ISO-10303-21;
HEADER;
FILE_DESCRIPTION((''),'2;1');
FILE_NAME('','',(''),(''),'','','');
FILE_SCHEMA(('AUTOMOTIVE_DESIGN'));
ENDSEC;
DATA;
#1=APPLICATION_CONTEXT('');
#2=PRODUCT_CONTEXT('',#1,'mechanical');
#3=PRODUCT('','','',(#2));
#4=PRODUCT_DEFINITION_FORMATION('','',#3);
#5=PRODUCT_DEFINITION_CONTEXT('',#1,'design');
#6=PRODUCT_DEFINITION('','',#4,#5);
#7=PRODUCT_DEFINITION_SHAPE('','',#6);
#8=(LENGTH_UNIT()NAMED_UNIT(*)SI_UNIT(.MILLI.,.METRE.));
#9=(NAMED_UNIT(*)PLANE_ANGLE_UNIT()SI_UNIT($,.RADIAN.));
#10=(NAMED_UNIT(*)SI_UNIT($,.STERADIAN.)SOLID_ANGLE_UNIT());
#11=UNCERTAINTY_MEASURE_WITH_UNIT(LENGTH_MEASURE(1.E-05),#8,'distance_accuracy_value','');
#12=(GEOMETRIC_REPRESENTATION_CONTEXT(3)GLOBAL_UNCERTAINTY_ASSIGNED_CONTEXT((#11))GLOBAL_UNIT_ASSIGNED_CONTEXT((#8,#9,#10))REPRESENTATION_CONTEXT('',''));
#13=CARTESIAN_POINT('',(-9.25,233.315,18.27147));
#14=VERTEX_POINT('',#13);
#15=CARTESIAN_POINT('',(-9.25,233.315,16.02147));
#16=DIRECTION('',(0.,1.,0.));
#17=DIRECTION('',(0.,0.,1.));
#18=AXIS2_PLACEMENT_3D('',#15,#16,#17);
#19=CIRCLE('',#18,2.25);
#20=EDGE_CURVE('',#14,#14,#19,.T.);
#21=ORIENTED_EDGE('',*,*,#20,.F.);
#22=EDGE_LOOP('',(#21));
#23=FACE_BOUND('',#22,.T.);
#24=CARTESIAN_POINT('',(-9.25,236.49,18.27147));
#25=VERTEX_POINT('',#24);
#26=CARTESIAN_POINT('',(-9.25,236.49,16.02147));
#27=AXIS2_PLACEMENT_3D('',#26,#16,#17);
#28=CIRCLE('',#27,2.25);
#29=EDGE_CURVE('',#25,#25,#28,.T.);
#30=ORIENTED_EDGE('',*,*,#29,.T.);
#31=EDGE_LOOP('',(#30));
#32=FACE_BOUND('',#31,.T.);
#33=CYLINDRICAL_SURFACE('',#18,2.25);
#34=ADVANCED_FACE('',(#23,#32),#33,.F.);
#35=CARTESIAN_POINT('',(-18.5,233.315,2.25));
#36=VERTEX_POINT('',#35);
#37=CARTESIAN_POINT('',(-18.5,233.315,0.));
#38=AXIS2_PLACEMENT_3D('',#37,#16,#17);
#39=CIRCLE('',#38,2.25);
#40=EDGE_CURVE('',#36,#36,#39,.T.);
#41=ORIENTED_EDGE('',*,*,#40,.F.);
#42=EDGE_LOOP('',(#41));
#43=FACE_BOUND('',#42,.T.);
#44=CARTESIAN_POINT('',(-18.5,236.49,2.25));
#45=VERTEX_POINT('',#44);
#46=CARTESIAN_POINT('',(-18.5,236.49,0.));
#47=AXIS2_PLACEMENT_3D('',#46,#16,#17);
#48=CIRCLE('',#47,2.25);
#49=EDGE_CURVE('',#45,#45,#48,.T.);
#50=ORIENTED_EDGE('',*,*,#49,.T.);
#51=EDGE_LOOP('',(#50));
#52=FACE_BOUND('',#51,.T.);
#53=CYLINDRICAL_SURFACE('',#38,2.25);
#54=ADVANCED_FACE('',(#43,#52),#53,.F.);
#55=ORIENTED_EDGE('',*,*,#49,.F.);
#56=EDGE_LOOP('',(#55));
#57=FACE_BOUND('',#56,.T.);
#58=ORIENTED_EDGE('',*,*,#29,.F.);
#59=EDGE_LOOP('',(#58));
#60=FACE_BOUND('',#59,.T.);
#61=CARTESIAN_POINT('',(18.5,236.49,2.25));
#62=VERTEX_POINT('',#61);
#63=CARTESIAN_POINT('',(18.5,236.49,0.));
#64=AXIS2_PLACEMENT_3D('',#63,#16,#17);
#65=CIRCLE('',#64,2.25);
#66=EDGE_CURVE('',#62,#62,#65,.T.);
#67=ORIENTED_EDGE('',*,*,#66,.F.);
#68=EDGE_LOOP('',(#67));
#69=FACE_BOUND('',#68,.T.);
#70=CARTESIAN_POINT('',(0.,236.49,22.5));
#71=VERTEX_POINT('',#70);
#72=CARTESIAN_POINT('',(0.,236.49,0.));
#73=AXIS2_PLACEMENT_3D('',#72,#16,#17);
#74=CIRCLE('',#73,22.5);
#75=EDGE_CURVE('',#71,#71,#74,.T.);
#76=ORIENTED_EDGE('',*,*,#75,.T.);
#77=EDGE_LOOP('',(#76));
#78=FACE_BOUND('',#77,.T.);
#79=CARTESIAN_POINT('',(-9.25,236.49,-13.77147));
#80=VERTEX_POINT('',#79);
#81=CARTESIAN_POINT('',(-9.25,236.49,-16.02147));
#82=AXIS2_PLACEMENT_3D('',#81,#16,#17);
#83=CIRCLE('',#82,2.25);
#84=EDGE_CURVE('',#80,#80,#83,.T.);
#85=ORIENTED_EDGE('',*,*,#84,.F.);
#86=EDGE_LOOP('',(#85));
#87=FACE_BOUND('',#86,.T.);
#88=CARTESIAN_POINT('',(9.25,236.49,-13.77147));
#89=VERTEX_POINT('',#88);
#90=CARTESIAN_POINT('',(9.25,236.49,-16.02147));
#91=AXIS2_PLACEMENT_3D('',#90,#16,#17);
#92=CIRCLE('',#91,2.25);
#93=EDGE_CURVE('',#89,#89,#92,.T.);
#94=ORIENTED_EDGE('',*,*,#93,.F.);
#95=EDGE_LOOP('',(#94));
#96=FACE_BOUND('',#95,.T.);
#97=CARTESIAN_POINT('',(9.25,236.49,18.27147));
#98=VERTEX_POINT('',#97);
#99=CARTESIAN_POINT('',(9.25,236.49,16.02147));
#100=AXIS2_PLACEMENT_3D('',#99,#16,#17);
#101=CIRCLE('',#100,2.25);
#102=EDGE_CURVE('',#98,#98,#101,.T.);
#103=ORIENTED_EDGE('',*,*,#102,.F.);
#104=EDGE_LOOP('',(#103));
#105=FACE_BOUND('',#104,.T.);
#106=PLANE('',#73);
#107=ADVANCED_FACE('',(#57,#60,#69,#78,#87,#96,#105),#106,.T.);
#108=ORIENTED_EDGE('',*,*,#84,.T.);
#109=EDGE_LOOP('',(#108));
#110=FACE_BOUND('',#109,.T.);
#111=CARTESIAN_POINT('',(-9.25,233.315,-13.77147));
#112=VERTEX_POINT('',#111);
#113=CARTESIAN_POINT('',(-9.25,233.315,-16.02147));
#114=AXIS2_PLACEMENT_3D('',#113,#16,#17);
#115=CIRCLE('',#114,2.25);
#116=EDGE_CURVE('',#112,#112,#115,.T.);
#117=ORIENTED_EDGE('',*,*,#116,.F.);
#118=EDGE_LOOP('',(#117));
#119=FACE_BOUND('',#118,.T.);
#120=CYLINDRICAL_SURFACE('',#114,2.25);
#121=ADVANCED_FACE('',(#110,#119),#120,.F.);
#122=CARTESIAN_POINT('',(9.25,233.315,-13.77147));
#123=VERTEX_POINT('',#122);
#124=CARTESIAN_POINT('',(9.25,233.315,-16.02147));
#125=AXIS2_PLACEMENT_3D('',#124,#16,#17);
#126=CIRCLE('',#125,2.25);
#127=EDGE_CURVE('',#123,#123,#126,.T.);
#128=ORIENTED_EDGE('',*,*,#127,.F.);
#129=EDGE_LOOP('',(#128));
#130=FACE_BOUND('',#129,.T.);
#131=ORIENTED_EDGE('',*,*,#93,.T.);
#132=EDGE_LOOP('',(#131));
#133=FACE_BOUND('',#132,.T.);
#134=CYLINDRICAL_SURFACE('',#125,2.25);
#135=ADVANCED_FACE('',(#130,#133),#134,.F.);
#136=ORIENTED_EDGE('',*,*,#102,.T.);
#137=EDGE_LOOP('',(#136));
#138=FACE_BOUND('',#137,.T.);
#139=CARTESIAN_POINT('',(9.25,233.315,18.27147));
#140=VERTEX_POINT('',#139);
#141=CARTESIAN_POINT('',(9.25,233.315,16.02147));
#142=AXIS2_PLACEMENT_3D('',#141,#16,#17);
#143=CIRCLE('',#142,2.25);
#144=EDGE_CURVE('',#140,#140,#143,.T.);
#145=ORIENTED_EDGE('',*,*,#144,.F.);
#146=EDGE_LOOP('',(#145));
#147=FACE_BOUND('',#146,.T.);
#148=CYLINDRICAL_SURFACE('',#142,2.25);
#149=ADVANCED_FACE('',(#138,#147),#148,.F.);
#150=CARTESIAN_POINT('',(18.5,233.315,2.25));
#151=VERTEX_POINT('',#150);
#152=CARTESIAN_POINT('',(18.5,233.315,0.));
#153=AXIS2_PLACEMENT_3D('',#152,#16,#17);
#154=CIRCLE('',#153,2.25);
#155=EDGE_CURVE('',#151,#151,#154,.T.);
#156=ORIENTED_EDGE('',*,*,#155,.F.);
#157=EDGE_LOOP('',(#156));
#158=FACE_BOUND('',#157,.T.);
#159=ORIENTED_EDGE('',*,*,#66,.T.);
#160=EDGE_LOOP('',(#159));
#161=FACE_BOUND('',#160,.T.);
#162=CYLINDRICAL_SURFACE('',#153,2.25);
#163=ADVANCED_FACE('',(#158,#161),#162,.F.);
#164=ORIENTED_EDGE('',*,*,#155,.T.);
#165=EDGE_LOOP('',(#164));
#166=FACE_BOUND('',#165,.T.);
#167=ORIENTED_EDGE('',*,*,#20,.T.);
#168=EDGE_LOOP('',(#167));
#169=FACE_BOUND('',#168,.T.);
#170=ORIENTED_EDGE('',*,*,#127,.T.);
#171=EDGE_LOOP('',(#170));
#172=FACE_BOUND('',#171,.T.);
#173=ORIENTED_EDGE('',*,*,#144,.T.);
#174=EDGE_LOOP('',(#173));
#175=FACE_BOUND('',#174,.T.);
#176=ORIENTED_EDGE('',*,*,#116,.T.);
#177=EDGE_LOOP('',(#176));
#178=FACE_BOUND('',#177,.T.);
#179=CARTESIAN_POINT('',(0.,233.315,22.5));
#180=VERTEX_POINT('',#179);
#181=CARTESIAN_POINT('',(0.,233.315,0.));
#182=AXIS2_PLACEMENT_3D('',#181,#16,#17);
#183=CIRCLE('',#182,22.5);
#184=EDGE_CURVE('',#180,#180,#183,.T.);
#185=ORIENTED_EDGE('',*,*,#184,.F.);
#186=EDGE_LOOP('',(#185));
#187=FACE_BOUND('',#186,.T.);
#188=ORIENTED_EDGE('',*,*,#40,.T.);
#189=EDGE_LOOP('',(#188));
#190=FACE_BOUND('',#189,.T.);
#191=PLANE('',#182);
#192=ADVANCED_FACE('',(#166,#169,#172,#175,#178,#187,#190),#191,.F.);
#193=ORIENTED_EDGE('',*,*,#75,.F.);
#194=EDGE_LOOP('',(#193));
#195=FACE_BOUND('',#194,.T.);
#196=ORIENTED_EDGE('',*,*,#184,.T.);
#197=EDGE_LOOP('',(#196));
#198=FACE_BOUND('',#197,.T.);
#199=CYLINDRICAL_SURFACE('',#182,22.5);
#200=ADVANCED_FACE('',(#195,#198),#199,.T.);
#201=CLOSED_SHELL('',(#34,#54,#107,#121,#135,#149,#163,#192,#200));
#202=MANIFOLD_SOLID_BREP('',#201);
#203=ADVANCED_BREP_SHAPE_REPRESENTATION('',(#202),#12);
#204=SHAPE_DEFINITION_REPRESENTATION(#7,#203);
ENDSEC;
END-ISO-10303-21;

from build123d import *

# Parameters (mm, degrees)
SKETCH2_R           = 22.5
SKETCH2_R_2         = 2.25
BOSS_EXTRUDE1_DEPTH = 3.175


with BuildPart() as part:
    # Sketch2 → Boss-Extrude1 (new body)
    with BuildSketch(Plane(origin=(0, 236.49, 0), x_dir=(1, 0, 0), z_dir=(0, 1, 0))):
        with Locations(Location((0, 0, 0), (0, 0, 270))):
            Circle(SKETCH2_R)
        with Locations(Location((9.25, 16.02146997, 0), (0, 0, 270))):
            Circle(SKETCH2_R_2, mode=Mode.SUBTRACT)
        with Locations(Location((18.5, 0, 0), (0, 0, 270))):
            Circle(SKETCH2_R_2, mode=Mode.SUBTRACT)
        with Locations(Location((9.25, -16.02146997, 0), (0, 0, 270))):
            Circle(SKETCH2_R_2, mode=Mode.SUBTRACT)
        with Locations(Location((-9.25, -16.02146997, 0), (0, 0, 270))):
            Circle(SKETCH2_R_2, mode=Mode.SUBTRACT)
        with Locations(Location((-18.5, 0, 0), (0, 0, 270))):
            Circle(SKETCH2_R_2, mode=Mode.SUBTRACT)
        with Locations(Location((-9.25, 16.02146997, 0), (0, 0, 270))):
            Circle(SKETCH2_R_2, mode=Mode.SUBTRACT)
    extrude(amount=-BOSS_EXTRUDE1_DEPTH)


solid = part.part
